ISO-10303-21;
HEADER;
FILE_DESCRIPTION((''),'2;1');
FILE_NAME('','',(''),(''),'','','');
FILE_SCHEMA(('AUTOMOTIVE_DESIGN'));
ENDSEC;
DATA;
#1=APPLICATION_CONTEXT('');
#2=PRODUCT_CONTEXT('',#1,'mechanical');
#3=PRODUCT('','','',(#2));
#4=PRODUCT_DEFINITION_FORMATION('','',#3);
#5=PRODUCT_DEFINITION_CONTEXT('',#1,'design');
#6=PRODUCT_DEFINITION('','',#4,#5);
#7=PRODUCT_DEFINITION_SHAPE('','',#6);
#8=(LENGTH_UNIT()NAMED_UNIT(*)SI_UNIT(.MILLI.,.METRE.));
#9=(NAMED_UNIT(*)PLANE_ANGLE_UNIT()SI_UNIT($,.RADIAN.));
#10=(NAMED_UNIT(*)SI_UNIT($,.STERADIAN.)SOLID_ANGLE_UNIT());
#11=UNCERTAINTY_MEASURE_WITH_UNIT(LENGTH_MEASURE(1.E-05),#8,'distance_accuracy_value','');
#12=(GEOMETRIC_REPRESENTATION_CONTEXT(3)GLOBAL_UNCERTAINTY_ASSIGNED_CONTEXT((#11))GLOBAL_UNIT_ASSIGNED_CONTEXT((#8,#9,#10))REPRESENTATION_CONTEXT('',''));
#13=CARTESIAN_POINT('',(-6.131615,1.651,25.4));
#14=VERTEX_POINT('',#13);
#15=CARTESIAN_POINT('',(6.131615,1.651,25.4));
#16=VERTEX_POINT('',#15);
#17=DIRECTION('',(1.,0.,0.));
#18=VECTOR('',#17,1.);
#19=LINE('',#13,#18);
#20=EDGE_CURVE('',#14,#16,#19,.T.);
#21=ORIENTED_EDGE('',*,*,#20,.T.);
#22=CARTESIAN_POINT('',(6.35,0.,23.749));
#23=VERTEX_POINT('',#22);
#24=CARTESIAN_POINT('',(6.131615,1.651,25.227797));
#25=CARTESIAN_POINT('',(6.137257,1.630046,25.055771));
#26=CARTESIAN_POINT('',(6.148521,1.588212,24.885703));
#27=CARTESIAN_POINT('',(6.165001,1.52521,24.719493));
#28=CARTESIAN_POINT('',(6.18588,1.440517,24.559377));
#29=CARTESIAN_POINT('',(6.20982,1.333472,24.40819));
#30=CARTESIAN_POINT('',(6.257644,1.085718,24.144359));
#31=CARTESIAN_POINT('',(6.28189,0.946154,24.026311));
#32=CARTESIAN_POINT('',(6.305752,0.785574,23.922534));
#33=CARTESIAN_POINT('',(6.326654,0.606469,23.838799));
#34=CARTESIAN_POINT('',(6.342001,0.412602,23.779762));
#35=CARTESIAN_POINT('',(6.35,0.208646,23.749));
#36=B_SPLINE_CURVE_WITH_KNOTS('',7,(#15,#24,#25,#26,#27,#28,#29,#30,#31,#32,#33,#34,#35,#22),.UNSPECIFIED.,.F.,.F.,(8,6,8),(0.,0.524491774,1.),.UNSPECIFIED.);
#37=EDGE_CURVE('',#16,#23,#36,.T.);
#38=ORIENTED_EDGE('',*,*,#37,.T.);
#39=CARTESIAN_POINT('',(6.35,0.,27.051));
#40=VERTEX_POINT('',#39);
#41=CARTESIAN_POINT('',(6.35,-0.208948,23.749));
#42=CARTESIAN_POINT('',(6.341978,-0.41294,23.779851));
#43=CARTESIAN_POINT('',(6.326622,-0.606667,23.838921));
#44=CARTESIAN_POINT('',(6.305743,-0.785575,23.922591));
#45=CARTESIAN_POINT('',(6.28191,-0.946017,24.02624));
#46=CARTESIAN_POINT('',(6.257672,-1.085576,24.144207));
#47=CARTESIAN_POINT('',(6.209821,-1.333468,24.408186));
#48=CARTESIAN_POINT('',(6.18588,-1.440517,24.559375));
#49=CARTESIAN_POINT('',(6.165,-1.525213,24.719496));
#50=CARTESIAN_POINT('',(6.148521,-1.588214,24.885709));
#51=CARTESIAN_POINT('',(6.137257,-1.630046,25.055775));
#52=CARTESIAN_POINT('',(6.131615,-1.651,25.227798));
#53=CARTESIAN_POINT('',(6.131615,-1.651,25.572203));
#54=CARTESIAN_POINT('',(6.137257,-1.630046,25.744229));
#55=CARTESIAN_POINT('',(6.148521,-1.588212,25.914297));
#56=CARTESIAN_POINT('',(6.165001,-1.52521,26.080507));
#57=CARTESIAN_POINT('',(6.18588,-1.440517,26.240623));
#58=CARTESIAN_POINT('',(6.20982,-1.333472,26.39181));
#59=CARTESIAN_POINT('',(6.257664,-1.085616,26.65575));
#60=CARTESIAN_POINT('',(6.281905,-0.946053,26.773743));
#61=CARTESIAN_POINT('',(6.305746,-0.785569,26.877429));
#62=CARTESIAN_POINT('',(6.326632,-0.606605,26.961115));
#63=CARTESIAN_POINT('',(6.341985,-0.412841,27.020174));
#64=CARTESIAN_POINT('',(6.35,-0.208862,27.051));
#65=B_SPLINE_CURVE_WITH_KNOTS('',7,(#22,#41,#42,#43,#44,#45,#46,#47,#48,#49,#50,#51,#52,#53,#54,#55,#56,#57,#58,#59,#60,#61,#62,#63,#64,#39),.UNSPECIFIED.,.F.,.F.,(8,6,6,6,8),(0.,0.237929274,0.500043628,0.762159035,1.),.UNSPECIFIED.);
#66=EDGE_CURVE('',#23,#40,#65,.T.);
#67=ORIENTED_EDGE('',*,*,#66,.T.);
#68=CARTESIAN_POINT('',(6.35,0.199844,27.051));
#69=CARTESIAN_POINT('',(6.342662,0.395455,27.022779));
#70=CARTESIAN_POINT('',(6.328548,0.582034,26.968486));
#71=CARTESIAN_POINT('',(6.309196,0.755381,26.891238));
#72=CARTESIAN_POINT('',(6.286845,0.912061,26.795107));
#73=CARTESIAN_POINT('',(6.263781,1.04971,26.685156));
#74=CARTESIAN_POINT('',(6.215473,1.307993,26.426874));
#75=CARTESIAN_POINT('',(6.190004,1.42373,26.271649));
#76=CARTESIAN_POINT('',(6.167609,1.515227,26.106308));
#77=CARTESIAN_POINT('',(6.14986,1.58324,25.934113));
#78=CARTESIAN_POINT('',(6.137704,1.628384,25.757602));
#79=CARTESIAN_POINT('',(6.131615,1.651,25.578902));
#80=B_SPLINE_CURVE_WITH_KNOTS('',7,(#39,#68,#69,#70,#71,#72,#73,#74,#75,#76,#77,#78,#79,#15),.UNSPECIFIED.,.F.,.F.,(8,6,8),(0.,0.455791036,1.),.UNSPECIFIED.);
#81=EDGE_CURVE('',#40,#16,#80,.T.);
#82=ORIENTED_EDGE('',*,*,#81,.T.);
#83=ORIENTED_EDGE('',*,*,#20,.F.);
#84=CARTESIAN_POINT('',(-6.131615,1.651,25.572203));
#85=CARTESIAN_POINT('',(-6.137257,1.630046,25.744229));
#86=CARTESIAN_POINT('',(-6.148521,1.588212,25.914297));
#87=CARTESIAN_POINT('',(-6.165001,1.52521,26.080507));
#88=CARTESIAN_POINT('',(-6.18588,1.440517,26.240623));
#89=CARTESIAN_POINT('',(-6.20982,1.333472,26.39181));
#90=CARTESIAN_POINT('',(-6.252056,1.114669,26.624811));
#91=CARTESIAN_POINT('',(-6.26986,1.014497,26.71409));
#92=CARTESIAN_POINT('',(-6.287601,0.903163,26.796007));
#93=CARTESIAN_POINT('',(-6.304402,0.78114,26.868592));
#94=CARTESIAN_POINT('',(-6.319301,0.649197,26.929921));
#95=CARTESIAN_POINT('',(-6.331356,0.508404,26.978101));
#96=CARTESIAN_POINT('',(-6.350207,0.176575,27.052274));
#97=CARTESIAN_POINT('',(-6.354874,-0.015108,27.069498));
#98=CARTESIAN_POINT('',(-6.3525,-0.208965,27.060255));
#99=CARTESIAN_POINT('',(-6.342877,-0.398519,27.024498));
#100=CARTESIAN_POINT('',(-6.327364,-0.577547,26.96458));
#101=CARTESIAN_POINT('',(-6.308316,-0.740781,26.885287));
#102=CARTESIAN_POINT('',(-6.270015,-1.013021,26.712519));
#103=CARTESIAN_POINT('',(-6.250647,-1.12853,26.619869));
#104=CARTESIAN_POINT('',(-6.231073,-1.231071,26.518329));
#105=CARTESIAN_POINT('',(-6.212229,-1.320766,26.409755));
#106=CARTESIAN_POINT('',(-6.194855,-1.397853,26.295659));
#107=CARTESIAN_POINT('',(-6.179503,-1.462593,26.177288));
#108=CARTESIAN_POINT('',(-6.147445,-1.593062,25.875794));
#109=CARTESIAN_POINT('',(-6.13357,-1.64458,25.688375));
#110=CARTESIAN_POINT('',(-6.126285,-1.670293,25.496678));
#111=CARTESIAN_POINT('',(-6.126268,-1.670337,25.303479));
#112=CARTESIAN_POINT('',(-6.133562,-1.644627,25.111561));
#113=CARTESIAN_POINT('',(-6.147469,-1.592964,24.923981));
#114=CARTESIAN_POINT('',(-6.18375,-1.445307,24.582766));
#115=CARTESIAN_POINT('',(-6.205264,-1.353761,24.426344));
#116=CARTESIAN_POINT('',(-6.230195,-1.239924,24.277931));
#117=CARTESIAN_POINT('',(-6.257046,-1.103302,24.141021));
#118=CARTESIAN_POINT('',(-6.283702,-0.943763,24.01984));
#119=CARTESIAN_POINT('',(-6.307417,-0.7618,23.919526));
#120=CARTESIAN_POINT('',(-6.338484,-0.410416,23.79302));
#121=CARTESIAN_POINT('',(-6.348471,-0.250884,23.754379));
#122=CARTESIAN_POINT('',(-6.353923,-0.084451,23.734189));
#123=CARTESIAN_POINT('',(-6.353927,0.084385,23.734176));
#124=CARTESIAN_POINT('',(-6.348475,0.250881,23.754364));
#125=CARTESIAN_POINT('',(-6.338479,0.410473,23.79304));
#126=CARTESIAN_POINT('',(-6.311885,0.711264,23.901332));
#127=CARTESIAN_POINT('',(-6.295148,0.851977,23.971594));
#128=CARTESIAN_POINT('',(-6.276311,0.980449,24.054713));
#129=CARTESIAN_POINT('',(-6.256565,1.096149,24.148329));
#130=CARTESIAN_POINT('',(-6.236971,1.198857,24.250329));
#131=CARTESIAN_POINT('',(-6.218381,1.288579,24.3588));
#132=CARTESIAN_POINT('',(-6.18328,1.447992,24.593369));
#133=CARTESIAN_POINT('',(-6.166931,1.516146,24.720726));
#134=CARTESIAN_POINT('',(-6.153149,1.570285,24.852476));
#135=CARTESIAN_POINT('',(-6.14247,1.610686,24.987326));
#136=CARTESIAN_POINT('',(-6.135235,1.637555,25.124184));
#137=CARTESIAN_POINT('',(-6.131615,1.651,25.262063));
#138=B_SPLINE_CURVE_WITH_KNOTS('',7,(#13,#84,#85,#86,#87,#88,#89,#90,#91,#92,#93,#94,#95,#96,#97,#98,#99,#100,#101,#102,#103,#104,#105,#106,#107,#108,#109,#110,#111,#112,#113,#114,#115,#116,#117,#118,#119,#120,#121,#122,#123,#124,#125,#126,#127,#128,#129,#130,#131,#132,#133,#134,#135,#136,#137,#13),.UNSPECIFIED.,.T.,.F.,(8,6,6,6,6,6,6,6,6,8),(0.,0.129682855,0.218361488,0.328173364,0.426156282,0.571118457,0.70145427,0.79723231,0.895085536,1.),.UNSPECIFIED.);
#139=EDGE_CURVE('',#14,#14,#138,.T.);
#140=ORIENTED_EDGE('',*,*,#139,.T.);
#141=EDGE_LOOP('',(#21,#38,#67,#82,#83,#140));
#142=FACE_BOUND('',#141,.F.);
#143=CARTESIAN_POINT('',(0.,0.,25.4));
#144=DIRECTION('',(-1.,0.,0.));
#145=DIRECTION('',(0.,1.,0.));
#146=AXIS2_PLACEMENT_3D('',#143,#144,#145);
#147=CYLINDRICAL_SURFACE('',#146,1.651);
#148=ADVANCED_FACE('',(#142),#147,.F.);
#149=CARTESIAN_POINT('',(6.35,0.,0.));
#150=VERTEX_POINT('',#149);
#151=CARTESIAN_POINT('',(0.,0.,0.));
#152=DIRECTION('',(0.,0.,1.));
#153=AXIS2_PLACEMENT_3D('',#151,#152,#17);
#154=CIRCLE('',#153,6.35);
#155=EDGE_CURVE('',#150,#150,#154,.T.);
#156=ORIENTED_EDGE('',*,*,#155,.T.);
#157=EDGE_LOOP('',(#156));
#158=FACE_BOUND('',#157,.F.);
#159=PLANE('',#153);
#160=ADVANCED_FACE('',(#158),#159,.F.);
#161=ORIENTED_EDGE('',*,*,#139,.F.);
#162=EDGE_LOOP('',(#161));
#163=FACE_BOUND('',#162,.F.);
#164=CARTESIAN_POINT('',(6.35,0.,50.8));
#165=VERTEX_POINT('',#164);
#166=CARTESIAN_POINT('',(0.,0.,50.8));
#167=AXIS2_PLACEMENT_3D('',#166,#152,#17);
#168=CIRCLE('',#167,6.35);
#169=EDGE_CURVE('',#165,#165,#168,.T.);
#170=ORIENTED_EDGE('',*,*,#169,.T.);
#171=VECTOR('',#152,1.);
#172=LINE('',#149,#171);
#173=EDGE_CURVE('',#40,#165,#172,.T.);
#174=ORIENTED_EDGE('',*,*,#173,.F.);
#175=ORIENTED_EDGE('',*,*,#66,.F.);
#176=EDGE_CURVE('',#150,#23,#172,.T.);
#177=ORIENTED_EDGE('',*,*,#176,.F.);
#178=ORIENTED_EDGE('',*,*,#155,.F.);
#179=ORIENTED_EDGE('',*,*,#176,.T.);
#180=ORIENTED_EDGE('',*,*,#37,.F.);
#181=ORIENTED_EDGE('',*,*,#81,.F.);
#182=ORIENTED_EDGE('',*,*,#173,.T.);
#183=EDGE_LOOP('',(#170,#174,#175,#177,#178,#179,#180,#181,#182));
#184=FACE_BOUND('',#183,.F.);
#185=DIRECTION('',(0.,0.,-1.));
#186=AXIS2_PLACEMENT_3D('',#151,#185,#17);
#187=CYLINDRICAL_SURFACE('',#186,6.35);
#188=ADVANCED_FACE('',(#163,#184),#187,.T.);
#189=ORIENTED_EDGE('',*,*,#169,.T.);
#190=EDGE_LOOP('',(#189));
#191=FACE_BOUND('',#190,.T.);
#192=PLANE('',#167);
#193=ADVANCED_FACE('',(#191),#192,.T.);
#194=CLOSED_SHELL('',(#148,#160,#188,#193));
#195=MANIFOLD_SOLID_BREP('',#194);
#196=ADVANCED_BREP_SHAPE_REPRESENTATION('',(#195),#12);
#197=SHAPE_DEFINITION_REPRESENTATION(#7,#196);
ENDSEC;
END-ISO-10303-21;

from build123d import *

# Parameters (mm, degrees)
F0_R      = 6.35
F1_DEPTH  = 50.8
F2_R      = 1.651
F3_DEPTH  = 6.351
F3_FACE_R = 1.651
F4_DEPTH  = 25.4


with BuildPart() as f1:
    # F0 (on Top) → F1 (new body)
    with BuildSketch(Plane.XY):
        Circle(F0_R)
    extrude(amount=F1_DEPTH)

    # F2 (on Right) → F3 (cut, through all)
    with BuildSketch(Plane.YZ):
        with Locations((0, 25.4)):
            Circle(F2_R)
    extrude(amount=-F3_DEPTH, mode=Mode.SUBTRACT)

    # F3_face (on face) → F4 (cut)
    with BuildSketch(Plane(origin=(0, 0, 25.4), x_dir=(0, 1, 0), z_dir=(-1, 0, 0))):
        Circle(F3_FACE_R)
    extrude(amount=-F4_DEPTH, mode=Mode.SUBTRACT)


solid = f1.part
